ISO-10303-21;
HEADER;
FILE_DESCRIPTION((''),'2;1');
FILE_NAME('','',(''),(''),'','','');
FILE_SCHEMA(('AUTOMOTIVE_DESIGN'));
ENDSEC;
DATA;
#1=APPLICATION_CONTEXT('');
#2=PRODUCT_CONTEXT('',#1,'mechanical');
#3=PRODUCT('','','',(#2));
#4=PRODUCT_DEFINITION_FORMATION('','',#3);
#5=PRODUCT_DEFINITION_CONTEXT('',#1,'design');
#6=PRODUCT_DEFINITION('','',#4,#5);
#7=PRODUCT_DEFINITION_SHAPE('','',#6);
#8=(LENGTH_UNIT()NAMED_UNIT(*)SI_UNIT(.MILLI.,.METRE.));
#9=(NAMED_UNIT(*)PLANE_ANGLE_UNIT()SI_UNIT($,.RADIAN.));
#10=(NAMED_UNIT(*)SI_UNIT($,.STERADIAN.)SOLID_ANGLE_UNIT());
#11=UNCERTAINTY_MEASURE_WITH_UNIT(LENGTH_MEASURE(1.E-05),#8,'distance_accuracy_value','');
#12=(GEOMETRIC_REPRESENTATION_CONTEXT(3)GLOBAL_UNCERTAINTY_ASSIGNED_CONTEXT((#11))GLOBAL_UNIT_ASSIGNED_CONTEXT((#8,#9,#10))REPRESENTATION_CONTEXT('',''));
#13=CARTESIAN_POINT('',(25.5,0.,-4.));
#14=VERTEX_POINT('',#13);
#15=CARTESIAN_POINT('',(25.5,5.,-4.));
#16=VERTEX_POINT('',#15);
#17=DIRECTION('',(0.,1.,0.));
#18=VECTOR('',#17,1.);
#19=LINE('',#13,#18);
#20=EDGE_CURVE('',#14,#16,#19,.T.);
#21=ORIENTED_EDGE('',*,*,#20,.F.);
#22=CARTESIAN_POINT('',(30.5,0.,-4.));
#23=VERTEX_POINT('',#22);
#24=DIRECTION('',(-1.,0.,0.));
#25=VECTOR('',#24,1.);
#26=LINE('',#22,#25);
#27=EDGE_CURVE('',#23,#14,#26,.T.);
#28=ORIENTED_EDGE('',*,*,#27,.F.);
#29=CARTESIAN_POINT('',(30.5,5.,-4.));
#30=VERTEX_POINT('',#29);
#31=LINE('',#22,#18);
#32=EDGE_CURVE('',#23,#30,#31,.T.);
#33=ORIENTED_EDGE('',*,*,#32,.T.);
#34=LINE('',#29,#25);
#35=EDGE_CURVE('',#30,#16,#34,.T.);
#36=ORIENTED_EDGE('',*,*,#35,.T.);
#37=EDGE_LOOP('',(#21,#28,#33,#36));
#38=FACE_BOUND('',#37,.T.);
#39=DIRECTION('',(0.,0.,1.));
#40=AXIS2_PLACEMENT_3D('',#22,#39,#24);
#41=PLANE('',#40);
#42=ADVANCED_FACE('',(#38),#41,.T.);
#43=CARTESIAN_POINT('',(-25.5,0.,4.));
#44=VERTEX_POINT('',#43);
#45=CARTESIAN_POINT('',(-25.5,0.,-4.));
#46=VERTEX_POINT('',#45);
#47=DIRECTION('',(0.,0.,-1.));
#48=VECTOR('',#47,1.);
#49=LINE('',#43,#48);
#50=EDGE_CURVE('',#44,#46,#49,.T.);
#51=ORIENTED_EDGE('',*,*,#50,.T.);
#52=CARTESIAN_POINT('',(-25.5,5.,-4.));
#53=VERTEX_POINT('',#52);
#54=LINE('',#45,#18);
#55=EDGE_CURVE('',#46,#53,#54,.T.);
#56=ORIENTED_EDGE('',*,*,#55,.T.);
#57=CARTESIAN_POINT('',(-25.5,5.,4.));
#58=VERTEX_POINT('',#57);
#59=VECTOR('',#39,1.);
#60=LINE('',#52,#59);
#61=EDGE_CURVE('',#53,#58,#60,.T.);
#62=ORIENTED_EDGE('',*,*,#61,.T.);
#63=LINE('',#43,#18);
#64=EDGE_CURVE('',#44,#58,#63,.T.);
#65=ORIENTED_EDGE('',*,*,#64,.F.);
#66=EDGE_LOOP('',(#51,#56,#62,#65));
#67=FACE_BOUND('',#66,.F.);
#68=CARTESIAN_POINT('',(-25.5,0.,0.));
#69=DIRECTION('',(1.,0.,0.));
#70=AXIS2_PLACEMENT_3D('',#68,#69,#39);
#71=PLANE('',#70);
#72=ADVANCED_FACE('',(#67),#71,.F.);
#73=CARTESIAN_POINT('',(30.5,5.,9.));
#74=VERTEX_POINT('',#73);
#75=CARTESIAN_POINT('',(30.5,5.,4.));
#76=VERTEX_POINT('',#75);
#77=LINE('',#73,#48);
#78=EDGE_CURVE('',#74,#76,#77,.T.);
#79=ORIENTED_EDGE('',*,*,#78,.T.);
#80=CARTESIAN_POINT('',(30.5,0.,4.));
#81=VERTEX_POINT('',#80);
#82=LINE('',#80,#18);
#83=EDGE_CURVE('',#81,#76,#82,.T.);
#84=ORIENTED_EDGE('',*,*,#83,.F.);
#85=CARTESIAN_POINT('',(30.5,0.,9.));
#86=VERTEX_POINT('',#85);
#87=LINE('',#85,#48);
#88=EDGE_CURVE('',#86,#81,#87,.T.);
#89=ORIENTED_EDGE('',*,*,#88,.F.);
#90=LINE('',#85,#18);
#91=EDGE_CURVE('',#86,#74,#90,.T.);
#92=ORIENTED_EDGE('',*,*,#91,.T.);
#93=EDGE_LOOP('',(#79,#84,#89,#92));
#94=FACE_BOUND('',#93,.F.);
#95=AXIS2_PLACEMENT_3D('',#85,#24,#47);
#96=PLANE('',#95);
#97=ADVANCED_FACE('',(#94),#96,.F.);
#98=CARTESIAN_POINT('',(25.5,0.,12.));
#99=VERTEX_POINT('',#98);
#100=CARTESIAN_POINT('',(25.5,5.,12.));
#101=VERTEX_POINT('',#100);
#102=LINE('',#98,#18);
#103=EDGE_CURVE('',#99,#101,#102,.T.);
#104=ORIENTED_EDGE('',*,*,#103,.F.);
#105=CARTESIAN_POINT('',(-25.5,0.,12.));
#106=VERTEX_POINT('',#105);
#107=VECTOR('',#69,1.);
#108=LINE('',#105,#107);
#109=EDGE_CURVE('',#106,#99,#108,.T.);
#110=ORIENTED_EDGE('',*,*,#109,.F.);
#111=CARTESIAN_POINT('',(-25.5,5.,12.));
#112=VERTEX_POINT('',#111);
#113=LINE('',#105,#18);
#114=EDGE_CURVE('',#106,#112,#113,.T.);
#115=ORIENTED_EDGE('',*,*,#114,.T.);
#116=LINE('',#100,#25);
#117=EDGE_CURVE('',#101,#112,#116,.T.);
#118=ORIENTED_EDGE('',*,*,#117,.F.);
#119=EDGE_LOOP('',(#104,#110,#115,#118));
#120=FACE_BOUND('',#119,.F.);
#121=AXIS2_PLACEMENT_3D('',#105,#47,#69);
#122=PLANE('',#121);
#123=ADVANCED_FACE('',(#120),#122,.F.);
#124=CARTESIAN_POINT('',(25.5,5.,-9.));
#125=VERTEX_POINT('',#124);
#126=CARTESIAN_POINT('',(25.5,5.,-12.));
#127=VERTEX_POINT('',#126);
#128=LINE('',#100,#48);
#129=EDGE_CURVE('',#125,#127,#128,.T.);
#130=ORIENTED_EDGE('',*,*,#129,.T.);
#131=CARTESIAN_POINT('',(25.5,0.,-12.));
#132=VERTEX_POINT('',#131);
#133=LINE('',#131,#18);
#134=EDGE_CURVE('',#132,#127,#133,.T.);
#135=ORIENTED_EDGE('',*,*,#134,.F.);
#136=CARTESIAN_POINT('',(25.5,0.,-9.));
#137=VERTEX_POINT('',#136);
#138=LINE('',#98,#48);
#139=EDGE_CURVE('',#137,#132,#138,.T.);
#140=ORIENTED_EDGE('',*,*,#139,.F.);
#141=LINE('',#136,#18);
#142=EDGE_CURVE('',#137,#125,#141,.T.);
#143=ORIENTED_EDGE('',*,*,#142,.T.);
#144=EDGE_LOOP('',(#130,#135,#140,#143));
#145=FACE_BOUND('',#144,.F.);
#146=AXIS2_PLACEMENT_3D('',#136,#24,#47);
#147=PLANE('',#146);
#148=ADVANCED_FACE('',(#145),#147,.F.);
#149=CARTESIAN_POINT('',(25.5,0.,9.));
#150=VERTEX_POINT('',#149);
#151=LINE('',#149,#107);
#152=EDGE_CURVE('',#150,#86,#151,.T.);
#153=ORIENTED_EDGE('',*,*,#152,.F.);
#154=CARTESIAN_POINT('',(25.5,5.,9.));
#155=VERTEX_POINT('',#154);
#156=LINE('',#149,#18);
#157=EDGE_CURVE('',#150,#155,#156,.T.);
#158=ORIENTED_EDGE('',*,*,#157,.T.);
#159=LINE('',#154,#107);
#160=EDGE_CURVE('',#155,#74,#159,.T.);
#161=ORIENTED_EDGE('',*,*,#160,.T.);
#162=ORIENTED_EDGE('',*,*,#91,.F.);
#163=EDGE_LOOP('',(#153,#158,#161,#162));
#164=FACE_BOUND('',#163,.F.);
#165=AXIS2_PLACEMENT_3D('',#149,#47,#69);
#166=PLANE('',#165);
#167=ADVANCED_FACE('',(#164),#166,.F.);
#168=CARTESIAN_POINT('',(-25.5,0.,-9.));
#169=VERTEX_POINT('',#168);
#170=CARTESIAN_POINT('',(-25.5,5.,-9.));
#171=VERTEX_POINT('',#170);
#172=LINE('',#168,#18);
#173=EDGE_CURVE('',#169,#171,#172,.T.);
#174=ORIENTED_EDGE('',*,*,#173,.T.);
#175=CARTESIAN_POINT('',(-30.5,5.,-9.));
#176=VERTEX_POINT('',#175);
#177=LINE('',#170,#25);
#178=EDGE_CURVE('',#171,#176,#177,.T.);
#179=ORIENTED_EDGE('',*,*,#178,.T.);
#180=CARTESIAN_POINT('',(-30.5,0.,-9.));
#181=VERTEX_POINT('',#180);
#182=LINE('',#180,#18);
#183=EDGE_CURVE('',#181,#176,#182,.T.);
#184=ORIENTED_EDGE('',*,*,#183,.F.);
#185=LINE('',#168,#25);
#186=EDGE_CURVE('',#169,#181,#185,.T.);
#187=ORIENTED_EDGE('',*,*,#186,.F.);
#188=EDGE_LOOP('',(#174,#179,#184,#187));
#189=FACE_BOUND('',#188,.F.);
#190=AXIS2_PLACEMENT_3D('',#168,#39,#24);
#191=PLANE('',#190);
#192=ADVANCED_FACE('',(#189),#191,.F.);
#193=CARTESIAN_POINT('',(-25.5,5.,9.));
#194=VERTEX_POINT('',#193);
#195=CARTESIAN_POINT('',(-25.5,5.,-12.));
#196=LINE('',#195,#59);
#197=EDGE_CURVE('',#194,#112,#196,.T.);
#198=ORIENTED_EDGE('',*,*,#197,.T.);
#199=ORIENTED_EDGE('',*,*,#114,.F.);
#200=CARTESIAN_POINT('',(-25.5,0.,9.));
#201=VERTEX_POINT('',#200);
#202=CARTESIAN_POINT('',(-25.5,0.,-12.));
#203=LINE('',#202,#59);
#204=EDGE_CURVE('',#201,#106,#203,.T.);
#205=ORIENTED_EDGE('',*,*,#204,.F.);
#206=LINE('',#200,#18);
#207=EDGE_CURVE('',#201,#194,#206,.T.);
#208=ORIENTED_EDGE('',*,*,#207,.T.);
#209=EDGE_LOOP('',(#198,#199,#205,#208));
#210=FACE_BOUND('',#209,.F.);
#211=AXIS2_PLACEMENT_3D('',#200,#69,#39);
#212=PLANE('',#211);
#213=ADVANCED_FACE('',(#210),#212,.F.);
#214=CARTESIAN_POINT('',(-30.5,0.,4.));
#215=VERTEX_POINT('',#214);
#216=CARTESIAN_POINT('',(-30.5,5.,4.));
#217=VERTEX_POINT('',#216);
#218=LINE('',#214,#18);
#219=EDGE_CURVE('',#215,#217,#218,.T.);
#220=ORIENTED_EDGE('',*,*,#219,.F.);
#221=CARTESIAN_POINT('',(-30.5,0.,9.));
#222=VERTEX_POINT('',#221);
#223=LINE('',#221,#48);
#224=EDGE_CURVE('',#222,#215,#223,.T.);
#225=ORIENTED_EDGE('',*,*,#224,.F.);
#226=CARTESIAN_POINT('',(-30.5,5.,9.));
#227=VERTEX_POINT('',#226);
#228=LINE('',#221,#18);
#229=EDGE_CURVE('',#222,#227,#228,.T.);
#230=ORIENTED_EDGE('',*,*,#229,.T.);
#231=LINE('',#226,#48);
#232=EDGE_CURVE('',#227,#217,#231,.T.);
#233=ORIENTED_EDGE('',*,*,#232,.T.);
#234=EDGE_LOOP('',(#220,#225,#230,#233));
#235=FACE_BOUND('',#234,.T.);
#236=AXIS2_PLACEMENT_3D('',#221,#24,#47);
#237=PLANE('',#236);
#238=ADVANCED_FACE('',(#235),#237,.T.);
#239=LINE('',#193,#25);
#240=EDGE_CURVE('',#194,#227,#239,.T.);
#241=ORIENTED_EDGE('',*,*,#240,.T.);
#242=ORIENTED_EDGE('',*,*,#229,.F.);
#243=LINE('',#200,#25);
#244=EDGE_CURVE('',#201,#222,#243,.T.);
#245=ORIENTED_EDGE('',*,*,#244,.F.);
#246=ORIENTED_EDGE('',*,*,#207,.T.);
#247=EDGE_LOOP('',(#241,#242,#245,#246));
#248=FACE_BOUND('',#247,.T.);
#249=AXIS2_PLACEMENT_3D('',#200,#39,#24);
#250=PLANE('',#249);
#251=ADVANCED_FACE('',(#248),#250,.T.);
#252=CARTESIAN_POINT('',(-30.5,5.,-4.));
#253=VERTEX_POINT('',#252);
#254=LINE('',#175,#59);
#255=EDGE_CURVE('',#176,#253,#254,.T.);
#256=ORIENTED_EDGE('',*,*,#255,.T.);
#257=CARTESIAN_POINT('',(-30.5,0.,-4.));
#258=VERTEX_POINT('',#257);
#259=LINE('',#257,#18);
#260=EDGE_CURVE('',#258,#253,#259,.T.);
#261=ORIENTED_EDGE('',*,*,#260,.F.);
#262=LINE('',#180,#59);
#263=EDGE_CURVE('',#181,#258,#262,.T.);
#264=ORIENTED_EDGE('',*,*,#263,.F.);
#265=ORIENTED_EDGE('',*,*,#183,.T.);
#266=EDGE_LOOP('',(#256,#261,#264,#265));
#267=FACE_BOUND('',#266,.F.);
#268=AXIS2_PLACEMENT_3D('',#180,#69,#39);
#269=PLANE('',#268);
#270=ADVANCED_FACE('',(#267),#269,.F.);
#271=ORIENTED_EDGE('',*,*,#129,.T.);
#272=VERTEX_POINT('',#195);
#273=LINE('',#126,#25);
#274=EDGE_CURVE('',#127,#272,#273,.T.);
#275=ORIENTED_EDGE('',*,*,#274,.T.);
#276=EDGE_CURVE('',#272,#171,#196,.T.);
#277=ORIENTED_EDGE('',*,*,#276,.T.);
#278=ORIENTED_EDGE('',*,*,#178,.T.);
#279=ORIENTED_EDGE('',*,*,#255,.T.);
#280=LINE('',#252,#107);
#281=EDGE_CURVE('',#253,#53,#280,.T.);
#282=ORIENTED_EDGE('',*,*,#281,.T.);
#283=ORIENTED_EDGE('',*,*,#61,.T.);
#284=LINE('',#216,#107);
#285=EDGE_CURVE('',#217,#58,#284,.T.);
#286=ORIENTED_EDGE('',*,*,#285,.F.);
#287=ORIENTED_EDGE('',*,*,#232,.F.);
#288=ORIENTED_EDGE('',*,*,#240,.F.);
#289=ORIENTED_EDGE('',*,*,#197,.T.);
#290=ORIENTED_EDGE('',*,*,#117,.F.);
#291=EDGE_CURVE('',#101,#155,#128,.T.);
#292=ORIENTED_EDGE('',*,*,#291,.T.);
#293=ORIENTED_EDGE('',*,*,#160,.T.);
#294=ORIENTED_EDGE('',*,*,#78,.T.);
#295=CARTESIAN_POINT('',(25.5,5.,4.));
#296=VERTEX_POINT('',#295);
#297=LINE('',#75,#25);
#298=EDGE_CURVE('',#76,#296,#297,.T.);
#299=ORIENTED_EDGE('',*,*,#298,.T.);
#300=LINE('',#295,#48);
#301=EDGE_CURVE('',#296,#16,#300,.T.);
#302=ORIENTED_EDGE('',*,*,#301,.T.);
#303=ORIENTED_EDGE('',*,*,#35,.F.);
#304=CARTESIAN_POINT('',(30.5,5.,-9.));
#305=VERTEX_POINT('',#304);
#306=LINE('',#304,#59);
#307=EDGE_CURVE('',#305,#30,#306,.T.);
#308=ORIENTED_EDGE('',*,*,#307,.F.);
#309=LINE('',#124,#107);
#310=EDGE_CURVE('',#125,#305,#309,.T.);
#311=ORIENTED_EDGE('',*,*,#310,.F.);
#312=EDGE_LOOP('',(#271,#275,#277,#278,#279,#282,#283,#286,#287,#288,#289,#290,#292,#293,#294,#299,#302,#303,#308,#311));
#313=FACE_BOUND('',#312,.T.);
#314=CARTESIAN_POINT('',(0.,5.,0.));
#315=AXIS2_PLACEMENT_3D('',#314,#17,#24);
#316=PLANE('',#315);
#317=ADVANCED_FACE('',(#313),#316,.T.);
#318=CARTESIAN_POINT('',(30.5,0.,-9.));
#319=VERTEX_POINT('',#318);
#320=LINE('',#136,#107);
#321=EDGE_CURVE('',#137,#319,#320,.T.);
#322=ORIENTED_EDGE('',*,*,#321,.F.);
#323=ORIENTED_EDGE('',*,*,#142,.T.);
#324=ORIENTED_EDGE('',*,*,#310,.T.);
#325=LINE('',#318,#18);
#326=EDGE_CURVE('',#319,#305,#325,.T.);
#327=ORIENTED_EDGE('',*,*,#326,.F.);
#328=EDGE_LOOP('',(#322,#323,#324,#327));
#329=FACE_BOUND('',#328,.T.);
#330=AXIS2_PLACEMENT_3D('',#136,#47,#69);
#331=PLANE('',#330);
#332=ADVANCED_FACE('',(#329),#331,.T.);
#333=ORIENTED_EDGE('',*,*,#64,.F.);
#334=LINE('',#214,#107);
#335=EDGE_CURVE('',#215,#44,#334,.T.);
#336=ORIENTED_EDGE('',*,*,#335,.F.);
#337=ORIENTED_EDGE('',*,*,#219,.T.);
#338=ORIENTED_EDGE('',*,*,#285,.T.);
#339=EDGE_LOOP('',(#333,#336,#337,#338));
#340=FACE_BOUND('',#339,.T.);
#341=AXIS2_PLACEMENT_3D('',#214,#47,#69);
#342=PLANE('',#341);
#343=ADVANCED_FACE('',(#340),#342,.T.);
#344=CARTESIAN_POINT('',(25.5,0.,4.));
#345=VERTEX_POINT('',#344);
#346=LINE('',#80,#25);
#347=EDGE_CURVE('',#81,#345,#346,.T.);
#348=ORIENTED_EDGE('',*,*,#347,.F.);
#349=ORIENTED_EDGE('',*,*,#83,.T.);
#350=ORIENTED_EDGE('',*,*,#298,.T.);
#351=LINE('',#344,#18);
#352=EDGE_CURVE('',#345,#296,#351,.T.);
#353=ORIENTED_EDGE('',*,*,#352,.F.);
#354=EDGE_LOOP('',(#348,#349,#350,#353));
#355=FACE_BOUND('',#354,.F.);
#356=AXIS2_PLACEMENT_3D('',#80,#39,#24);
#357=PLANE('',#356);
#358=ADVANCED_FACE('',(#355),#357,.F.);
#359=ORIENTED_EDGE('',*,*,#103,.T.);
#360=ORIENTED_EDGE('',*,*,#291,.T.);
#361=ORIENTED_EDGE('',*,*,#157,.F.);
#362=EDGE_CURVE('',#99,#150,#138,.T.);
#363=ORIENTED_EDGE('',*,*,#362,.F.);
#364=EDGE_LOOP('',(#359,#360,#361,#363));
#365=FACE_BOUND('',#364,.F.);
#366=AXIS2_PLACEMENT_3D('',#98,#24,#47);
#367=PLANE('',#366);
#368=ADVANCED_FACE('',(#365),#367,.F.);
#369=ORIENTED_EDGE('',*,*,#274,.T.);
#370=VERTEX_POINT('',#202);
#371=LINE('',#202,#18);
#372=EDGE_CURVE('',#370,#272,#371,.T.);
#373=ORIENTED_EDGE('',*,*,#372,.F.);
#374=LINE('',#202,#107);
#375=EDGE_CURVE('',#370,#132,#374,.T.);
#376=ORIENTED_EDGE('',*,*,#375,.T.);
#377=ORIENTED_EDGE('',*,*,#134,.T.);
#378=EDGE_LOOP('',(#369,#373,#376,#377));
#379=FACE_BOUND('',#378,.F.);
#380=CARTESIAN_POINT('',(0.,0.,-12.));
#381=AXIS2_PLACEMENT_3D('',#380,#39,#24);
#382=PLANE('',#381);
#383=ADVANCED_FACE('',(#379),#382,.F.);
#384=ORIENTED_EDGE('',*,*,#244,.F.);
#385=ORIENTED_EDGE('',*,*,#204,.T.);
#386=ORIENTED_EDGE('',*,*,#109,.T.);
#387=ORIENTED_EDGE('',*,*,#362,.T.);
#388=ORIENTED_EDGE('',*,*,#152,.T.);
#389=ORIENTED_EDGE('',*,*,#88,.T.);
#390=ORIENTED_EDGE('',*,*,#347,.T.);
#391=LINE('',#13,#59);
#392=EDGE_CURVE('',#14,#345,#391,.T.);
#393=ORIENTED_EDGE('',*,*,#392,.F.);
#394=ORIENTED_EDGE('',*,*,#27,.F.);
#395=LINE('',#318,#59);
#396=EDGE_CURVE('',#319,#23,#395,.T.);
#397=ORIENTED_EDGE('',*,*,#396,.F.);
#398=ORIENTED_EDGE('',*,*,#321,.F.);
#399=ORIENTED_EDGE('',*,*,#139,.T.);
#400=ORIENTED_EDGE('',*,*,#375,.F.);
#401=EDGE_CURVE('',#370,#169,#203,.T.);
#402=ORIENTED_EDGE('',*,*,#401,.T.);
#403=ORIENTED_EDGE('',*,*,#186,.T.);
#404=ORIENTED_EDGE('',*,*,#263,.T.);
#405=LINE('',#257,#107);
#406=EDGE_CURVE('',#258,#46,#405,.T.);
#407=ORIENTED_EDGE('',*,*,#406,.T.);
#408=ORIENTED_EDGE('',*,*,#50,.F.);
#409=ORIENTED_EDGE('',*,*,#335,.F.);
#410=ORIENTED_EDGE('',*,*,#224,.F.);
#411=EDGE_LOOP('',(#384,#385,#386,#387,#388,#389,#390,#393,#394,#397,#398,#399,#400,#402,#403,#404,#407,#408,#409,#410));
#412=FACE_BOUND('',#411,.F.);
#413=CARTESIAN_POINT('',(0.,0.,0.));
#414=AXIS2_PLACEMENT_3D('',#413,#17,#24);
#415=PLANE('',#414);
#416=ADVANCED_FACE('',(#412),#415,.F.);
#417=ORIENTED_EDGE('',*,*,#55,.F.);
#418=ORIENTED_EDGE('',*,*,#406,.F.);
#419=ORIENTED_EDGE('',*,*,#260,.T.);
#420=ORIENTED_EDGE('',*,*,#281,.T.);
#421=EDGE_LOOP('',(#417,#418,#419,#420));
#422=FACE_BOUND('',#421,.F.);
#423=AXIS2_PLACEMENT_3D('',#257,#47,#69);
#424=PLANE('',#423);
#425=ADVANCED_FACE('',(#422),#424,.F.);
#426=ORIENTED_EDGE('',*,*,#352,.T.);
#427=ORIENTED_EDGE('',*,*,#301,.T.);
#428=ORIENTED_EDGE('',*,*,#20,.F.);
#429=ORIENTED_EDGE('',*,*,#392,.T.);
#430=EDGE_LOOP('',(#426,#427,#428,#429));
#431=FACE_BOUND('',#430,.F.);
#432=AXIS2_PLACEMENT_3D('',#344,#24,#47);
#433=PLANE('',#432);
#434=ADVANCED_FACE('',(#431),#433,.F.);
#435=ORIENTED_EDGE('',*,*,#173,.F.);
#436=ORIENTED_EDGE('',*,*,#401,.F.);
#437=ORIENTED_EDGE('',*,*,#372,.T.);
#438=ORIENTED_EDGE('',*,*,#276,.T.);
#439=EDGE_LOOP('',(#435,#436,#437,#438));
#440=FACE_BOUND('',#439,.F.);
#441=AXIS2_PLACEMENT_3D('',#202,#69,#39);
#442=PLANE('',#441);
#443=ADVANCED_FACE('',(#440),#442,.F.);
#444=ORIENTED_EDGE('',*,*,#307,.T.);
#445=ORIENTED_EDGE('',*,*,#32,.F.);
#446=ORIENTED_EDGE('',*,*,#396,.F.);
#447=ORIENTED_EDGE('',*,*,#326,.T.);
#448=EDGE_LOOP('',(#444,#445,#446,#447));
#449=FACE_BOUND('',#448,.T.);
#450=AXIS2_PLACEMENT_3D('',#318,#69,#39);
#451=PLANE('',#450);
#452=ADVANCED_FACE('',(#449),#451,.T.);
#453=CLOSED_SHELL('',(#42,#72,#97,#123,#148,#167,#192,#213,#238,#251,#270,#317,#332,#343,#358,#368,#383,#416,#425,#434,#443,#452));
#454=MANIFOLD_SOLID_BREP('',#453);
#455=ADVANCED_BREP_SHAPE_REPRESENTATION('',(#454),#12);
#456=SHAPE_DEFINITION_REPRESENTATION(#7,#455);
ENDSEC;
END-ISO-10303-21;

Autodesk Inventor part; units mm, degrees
ref_plane "YZ Plane" through (0, 0, 0) normal (1, 0, 0) x (0, 1, 0)
ref_plane "XZ Plane" through (0, 0, 0) normal (0, 1, 0) x (-1, 0, 0)
ref_plane "XY Plane" through (0, 0, 0) normal (0, 0, 1) x (1, 0, 0)
sketch "Sketch1" plane through (0, 0, 0) normal (0, 1, 0) x (-1, 0, 0)
  line L0 (25.5, 12) -> (-25.5, 12)
  line L1 (-25.5, 12) -> (-25.5, -12)
  line L2 (-25.5, -12) -> (25.5, -12)
  line L3 (25.5, -12) -> (25.5, 12)
  line L4 (25.5, 9) -> (30.5, 9)
  line L5 (30.5, 9) -> (30.5, 4)
  line L6 (30.5, 4) -> (25.5, 4)
  line L7 (25.5, 4) -> (25.5, 9)
  line L8 (41.3, 0) -> (-41.3, 0) projected
  line L9 (25.5, -9) -> (30.5, -9)
  line L10 (30.5, -9) -> (30.5, -4)
  line L11 (30.5, -4) -> (25.5, -4)
  line L12 (25.5, -4) -> (25.5, -9)
  line L13 (0, -16.8) -> (0, 16.8) projected
  line L14 (-25.5, 9) -> (-30.5, 9)
  line L15 (-30.5, 9) -> (-30.5, 4)
  line L16 (-30.5, 4) -> (-25.5, 4)
  line L17 (-25.5, 4) -> (-25.5, 9)
  line L18 (-30.5, -9) -> (-30.5, -4)
  line L19 (-25.5, -9) -> (-30.5, -9)
  line L20 (-30.5, -4) -> (-25.5, -4)
  line L21 (-25.5, -4) -> (-25.5, -9)
  point P0 (0, 0)
  point P1 (25.5, 0)
  point P2 (0, 12)
  point P3 (-25.5, 0)
  dimension "d0" = 5
  dimension "d1" = 5
  dimension "d2" = 4
  dimension "d3" = 24
  dimension "d4" = 51
extrude "Extrusion1" add sketch "Sketch1" along normal blind 5
equation "\"d0\" = b_mat_thickness"
equation "\"d1\" = b_mat_thickness"
equation "\"d2\" = 0.8 * b_mat_thickness"
equation "\"d3\" = sa_diameter"
equation "\"d4\" = b_mat_thickness + s_shaft_height + s_height + sa_thickness"
equation "\"d5\" = b_mat_thickness"
equation "\"b_mat_thickness\" = 5"
equation "\"sa_diameter\" = 24"
equation "\"s_shaft_height\" = 6"
equation "\"s_height\" = 38"
equation "\"sa_thickness\" = 2"
properties part number "Middle_leg_c"
